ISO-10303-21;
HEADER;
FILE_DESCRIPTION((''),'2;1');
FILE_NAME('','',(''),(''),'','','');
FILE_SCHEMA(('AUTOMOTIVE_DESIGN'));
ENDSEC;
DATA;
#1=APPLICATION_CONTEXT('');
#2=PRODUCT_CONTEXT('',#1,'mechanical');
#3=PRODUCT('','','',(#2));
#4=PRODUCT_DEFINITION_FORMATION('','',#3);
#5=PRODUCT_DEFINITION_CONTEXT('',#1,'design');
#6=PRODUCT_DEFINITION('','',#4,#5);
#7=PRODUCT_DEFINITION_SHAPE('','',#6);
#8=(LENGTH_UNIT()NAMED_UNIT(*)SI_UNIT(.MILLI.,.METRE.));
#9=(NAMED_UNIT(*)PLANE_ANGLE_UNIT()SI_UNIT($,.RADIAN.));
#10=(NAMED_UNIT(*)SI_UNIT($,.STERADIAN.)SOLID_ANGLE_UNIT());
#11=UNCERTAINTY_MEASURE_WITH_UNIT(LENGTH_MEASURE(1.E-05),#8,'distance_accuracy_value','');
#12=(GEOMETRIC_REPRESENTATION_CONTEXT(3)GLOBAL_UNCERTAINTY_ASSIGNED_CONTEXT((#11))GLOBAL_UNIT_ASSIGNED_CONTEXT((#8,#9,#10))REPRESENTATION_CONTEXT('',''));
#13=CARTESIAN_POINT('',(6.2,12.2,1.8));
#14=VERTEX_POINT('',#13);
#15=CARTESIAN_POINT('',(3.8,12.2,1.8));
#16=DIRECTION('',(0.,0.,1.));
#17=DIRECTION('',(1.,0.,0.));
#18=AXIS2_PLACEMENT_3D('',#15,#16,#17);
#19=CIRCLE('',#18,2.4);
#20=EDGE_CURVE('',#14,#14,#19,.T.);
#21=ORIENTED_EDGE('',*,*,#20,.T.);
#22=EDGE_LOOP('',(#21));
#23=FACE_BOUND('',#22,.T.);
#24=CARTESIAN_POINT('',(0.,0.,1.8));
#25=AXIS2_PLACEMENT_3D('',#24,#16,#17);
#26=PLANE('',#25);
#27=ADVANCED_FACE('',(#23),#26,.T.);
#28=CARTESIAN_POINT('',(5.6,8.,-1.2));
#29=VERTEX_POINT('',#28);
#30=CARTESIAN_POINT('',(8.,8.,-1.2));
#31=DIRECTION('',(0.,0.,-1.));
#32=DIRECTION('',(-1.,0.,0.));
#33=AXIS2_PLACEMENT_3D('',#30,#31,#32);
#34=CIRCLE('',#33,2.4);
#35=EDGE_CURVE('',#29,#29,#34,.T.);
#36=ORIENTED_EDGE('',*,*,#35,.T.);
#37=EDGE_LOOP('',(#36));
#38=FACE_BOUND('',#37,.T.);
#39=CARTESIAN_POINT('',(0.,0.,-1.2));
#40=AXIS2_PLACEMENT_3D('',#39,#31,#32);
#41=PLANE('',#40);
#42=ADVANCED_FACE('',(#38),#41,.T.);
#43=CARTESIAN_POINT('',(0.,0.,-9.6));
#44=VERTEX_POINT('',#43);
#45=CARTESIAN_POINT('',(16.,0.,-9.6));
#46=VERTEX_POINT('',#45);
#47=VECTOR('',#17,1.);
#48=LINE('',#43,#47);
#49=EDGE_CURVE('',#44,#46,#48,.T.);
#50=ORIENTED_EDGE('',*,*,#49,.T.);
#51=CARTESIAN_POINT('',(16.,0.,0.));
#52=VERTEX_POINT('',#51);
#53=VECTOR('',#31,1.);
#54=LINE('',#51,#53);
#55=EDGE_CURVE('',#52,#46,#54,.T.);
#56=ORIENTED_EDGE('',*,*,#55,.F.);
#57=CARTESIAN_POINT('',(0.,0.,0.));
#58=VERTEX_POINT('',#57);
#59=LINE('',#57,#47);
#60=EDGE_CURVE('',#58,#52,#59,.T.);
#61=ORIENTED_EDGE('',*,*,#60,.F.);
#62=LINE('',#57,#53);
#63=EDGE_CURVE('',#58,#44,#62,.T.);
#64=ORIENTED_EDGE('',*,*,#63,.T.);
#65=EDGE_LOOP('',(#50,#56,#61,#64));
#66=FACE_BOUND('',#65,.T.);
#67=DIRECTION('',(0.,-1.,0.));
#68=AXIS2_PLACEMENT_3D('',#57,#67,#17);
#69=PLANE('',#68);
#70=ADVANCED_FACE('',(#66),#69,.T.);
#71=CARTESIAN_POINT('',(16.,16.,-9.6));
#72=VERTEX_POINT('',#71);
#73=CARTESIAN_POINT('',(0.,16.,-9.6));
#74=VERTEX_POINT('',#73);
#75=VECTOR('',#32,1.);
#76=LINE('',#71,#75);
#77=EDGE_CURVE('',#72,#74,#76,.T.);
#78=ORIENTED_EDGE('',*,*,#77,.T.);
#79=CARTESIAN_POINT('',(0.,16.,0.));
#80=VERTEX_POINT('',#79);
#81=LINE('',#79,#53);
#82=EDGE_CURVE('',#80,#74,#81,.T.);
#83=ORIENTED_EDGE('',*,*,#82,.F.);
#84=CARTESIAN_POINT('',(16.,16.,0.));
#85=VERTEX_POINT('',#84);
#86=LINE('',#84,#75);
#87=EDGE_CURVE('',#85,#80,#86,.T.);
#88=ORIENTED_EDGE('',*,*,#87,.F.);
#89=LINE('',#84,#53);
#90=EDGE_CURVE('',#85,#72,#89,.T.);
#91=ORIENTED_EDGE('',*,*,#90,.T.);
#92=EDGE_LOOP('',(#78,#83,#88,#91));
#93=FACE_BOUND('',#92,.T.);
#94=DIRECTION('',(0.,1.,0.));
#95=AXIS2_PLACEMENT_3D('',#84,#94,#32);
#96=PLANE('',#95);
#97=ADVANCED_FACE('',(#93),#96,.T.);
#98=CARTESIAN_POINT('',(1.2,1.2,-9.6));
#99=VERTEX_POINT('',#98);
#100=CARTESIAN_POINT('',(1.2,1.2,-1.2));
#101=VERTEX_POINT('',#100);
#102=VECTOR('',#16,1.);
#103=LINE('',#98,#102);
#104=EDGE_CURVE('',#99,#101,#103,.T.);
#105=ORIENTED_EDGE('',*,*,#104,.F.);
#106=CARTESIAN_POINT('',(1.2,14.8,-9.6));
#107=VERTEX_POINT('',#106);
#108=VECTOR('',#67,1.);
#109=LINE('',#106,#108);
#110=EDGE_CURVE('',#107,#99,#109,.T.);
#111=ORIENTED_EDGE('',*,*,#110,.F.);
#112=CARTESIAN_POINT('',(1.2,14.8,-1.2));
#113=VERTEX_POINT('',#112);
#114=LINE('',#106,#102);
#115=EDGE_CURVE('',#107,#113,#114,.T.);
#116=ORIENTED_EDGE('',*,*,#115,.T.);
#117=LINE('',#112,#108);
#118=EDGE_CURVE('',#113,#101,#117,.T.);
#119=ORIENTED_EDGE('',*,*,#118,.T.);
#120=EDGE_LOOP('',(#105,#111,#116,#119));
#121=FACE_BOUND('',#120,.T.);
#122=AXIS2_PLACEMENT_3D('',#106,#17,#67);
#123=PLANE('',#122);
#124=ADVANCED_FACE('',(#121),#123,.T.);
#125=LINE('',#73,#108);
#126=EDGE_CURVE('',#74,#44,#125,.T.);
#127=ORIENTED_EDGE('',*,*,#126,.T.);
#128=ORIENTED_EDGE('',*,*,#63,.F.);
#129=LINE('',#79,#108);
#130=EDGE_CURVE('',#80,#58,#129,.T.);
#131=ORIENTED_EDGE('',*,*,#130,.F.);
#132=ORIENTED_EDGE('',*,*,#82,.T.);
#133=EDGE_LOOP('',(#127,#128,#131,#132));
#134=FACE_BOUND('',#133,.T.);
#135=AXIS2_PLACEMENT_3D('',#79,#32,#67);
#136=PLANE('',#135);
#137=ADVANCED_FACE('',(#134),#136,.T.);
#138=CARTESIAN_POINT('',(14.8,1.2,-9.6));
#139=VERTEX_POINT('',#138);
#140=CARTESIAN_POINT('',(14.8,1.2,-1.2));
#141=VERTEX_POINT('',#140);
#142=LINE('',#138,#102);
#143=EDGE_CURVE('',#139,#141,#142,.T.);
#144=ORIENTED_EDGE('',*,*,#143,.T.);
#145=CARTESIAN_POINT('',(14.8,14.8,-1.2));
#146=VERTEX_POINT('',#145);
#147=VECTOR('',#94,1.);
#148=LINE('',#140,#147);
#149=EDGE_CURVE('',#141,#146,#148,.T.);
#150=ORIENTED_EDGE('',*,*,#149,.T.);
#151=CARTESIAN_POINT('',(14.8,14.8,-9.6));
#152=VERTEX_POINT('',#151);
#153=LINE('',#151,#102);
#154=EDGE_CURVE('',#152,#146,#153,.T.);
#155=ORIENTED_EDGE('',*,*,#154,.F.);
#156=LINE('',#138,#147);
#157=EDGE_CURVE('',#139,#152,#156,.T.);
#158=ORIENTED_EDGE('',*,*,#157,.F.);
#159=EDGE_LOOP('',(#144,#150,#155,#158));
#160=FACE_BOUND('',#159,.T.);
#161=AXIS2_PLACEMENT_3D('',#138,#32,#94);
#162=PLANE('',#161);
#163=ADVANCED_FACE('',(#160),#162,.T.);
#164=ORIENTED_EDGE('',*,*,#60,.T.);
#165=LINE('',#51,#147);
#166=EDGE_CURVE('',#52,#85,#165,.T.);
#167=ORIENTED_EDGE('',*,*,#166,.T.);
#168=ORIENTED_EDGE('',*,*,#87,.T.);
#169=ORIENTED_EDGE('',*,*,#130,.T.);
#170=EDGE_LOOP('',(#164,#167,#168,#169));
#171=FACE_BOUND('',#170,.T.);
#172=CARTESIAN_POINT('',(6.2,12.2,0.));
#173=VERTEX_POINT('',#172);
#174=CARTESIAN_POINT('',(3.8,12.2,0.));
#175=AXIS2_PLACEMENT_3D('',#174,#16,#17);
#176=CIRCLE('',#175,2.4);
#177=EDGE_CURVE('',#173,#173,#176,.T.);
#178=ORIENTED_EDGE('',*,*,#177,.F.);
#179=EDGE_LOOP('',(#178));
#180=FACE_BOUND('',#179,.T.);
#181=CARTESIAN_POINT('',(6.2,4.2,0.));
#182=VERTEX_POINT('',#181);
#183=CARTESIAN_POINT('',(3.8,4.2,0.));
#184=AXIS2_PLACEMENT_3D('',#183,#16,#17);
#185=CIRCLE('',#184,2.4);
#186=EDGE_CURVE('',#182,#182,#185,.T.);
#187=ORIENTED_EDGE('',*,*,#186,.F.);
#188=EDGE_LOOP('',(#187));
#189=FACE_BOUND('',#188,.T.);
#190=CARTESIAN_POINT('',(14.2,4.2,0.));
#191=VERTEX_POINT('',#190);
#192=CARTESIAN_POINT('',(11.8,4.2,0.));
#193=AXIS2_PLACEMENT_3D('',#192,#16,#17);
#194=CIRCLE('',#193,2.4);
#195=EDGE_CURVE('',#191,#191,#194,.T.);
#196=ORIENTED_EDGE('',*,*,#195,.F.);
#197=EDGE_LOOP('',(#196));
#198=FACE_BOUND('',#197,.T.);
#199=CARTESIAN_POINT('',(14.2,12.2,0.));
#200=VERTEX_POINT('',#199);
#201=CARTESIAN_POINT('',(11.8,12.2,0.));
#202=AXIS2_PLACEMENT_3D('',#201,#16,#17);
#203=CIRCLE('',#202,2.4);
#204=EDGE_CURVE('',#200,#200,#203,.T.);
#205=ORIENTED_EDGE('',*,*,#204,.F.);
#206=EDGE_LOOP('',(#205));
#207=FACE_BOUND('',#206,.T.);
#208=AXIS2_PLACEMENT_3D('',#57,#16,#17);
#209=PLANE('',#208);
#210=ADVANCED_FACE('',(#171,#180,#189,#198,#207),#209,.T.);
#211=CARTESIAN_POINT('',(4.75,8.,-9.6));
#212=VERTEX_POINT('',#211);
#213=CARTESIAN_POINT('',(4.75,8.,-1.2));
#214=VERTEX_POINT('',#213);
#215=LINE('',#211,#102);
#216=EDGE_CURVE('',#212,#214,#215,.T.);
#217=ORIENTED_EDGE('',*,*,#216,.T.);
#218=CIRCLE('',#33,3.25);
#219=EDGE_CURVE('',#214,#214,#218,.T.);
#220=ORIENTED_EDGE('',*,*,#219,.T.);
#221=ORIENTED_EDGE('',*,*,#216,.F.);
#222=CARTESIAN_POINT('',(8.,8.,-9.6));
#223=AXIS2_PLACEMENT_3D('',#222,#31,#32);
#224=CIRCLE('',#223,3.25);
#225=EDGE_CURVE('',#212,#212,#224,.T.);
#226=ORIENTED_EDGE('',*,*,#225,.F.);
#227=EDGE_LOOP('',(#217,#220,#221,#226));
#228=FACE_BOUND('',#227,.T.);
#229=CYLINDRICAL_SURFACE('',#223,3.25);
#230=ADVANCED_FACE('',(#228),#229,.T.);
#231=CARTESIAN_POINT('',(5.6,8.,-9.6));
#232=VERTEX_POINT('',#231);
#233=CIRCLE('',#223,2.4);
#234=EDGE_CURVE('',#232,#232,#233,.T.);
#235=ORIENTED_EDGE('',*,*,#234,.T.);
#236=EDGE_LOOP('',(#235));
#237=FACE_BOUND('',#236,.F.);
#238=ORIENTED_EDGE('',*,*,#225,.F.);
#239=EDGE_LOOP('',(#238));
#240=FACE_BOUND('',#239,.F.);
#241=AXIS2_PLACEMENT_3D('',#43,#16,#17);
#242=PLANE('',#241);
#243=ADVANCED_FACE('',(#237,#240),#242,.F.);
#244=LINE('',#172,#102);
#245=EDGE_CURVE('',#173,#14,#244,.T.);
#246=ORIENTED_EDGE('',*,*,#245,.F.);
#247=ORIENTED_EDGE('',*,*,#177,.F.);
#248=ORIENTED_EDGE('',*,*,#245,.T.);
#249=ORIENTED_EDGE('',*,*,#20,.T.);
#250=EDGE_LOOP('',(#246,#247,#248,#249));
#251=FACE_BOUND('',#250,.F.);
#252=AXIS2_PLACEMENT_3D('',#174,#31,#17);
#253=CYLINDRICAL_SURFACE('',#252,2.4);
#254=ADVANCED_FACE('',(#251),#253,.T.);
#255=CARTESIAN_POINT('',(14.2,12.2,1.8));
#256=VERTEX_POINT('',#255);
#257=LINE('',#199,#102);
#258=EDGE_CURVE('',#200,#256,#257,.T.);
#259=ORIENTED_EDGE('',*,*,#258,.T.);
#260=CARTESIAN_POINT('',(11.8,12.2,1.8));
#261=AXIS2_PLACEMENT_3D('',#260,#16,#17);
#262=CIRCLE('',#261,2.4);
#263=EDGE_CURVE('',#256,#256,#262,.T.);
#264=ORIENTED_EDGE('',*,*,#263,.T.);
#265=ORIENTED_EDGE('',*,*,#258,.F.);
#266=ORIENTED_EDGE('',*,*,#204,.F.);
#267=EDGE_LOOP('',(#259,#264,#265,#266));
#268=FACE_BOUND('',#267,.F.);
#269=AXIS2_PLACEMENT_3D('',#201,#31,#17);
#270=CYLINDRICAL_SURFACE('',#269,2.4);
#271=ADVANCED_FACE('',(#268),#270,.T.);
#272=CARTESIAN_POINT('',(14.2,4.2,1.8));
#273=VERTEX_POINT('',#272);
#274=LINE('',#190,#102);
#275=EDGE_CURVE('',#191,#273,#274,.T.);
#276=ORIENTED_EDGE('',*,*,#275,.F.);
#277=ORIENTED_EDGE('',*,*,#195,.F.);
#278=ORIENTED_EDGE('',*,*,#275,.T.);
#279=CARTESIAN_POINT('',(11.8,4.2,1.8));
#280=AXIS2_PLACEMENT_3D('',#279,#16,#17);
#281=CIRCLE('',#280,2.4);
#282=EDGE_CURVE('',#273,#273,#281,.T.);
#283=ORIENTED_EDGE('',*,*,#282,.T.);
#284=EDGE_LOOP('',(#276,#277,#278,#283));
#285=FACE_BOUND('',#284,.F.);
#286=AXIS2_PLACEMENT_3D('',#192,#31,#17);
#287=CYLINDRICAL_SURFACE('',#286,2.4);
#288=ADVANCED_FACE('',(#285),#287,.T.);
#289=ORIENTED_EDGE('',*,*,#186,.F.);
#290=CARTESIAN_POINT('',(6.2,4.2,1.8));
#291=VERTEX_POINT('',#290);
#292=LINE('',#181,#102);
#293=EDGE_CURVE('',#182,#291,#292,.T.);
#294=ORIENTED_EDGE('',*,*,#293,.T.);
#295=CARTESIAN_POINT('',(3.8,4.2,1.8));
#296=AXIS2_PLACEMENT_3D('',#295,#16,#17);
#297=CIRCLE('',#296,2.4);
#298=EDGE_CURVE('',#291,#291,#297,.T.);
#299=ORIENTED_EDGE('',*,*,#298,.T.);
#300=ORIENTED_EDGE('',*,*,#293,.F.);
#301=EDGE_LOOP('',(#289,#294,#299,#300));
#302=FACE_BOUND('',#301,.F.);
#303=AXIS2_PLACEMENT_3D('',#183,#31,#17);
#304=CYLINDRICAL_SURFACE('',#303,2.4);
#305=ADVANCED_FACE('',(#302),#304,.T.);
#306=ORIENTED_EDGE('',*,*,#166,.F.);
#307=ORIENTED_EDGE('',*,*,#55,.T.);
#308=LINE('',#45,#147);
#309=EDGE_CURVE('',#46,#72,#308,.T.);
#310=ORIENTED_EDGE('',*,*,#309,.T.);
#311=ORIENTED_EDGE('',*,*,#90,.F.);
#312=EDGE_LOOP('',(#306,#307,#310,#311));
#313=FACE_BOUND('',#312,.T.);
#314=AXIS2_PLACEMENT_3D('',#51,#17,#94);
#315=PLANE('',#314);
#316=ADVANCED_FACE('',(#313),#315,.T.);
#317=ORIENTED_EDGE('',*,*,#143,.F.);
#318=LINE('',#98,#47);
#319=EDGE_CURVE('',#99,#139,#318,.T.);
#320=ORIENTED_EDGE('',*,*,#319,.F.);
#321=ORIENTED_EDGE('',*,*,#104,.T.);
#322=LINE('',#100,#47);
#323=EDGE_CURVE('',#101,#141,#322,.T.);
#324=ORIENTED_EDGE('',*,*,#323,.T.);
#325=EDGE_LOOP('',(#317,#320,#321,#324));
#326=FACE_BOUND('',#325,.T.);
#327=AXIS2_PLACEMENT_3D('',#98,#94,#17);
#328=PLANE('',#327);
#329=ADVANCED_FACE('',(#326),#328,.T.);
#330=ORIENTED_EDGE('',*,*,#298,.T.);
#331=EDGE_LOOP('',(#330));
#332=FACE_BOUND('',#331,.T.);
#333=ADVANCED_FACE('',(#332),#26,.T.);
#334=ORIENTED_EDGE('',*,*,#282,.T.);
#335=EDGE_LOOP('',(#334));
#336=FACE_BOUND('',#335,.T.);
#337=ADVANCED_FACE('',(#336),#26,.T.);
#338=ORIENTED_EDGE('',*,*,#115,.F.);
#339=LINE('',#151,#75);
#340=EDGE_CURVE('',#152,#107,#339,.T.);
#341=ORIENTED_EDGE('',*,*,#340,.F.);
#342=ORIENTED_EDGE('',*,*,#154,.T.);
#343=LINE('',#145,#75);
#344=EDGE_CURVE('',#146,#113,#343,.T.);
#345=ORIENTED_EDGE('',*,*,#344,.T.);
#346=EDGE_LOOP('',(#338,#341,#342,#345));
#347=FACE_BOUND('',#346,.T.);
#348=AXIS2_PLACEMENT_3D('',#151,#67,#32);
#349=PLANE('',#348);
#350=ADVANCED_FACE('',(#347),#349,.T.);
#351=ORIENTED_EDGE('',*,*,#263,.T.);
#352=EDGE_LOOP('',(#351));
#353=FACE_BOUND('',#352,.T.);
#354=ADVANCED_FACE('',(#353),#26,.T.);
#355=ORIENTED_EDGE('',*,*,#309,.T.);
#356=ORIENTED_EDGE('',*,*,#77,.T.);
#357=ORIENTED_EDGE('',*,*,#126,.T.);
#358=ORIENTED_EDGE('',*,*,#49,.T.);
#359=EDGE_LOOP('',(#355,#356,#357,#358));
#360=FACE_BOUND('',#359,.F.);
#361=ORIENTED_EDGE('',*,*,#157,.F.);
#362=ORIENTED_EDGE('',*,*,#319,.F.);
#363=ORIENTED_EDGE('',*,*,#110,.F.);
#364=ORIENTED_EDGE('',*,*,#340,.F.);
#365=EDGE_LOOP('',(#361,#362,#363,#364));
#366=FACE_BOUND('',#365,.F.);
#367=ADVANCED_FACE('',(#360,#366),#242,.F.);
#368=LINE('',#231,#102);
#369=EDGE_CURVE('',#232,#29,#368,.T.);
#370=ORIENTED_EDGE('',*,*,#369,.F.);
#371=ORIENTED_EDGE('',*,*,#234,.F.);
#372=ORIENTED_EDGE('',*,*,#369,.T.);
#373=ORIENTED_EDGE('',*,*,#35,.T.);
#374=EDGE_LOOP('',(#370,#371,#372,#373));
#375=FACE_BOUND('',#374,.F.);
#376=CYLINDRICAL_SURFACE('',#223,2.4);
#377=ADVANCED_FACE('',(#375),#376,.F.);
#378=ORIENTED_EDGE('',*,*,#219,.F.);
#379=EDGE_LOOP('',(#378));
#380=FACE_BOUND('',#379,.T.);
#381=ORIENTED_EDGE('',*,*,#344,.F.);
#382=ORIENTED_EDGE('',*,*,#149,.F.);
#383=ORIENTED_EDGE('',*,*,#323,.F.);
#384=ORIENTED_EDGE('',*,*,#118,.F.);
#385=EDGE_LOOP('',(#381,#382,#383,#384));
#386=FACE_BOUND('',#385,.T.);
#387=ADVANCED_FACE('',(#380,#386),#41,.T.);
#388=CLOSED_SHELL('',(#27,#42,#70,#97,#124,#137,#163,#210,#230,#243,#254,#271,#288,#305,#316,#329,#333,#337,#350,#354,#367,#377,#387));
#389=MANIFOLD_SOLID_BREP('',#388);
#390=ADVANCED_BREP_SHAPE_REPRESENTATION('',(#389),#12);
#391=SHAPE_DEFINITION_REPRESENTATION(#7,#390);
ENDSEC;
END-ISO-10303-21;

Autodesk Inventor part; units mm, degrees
ref_plane "YZ Plane" through (0, 0, 0) normal (1, 0, 0) x (0, 1, 0)
ref_plane "XZ Plane" through (0, 0, 0) normal (0, 1, 0) x (-1, 0, 0)
ref_plane "XY Plane" through (0, 0, 0) normal (0, 0, 1) x (1, 0, 0)
sketch "Sketch1" plane through (0, 0, 0) normal (0, 0, 1) x (1, 0, 0)
  line L0 (0, 0) -> (16, 0)
  line L1 (16, 0) -> (16, 16)
  line L2 (16, 16) -> (0, 16)
  line L3 (0, 16) -> (0, 0)
  dimension "d0" = 16
  dimension "d1" = 16
extrude "Extrusion1" add sketch "Sketch1" against normal blind 9.6
sketch "Sketch2" plane through (0, 0, 0) normal (0, 0, 1) x (1, 0, 0)
  circle A0 centre (3.8, 12.2) radius 2.4
  line L0 (0, 16) -> (0, 0) projected
  line L1 (16, 16) -> (0, 16) projected
  circle A1 centre (11.8, 12.2) radius 2.4
  circle A2 centre (3.8, 4.2) radius 2.4
  circle A3 centre (11.8, 4.2) radius 2.4
  dimension "d4" = 4.8
  dimension "d5" = 3.8
  dimension "d6" = 3.8
  dimension "d7" = 4.8
  dimension "d8" = 8
  dimension "d9" = 4.8
  dimension "d10" = 4.8
  dimension "d11" = 8
extrude "Extrusion2" add sketch "Sketch2" along normal blind 1.8
sketch "Sketch3" plane through (0, 0, -9.6) normal (0, 0, -1) x (-1, 0, 0)
  line L0 (-14.8, 14.8) -> (-1.2, 14.8)
  line L1 (-1.2, 14.8) -> (-1.2, 1.2)
  line L2 (-1.2, 1.2) -> (-14.8, 1.2)
  line L3 (-14.8, 1.2) -> (-14.8, 14.8)
  line L4 (0, 16) -> (-16, 16) projected
  line L5 (-16, 16) -> (-16, 0) projected
  line L6 (-16, 0) -> (0, 0) projected
  line L7 (0, 16) -> (0, 0) projected
  circle A0 centre (-8, 8) radius 3.25
  circle A1 centre (-8, 8) radius 2.4
  dimension "d14" = 1.2
  dimension "d15" = 1.2
  dimension "d16" = 1.2
  dimension "d17" = 1.2
  dimension "d18" = 6.5
  dimension "d19" = 8
  dimension "d20" = 8
  dimension "d21" = 4.8
extrude "Extrusion3" cut sketch "Sketch3" against normal blind 8.4 contours L0 L1 L2 L3 | A1
properties part number "Yee_2x2Brick"
